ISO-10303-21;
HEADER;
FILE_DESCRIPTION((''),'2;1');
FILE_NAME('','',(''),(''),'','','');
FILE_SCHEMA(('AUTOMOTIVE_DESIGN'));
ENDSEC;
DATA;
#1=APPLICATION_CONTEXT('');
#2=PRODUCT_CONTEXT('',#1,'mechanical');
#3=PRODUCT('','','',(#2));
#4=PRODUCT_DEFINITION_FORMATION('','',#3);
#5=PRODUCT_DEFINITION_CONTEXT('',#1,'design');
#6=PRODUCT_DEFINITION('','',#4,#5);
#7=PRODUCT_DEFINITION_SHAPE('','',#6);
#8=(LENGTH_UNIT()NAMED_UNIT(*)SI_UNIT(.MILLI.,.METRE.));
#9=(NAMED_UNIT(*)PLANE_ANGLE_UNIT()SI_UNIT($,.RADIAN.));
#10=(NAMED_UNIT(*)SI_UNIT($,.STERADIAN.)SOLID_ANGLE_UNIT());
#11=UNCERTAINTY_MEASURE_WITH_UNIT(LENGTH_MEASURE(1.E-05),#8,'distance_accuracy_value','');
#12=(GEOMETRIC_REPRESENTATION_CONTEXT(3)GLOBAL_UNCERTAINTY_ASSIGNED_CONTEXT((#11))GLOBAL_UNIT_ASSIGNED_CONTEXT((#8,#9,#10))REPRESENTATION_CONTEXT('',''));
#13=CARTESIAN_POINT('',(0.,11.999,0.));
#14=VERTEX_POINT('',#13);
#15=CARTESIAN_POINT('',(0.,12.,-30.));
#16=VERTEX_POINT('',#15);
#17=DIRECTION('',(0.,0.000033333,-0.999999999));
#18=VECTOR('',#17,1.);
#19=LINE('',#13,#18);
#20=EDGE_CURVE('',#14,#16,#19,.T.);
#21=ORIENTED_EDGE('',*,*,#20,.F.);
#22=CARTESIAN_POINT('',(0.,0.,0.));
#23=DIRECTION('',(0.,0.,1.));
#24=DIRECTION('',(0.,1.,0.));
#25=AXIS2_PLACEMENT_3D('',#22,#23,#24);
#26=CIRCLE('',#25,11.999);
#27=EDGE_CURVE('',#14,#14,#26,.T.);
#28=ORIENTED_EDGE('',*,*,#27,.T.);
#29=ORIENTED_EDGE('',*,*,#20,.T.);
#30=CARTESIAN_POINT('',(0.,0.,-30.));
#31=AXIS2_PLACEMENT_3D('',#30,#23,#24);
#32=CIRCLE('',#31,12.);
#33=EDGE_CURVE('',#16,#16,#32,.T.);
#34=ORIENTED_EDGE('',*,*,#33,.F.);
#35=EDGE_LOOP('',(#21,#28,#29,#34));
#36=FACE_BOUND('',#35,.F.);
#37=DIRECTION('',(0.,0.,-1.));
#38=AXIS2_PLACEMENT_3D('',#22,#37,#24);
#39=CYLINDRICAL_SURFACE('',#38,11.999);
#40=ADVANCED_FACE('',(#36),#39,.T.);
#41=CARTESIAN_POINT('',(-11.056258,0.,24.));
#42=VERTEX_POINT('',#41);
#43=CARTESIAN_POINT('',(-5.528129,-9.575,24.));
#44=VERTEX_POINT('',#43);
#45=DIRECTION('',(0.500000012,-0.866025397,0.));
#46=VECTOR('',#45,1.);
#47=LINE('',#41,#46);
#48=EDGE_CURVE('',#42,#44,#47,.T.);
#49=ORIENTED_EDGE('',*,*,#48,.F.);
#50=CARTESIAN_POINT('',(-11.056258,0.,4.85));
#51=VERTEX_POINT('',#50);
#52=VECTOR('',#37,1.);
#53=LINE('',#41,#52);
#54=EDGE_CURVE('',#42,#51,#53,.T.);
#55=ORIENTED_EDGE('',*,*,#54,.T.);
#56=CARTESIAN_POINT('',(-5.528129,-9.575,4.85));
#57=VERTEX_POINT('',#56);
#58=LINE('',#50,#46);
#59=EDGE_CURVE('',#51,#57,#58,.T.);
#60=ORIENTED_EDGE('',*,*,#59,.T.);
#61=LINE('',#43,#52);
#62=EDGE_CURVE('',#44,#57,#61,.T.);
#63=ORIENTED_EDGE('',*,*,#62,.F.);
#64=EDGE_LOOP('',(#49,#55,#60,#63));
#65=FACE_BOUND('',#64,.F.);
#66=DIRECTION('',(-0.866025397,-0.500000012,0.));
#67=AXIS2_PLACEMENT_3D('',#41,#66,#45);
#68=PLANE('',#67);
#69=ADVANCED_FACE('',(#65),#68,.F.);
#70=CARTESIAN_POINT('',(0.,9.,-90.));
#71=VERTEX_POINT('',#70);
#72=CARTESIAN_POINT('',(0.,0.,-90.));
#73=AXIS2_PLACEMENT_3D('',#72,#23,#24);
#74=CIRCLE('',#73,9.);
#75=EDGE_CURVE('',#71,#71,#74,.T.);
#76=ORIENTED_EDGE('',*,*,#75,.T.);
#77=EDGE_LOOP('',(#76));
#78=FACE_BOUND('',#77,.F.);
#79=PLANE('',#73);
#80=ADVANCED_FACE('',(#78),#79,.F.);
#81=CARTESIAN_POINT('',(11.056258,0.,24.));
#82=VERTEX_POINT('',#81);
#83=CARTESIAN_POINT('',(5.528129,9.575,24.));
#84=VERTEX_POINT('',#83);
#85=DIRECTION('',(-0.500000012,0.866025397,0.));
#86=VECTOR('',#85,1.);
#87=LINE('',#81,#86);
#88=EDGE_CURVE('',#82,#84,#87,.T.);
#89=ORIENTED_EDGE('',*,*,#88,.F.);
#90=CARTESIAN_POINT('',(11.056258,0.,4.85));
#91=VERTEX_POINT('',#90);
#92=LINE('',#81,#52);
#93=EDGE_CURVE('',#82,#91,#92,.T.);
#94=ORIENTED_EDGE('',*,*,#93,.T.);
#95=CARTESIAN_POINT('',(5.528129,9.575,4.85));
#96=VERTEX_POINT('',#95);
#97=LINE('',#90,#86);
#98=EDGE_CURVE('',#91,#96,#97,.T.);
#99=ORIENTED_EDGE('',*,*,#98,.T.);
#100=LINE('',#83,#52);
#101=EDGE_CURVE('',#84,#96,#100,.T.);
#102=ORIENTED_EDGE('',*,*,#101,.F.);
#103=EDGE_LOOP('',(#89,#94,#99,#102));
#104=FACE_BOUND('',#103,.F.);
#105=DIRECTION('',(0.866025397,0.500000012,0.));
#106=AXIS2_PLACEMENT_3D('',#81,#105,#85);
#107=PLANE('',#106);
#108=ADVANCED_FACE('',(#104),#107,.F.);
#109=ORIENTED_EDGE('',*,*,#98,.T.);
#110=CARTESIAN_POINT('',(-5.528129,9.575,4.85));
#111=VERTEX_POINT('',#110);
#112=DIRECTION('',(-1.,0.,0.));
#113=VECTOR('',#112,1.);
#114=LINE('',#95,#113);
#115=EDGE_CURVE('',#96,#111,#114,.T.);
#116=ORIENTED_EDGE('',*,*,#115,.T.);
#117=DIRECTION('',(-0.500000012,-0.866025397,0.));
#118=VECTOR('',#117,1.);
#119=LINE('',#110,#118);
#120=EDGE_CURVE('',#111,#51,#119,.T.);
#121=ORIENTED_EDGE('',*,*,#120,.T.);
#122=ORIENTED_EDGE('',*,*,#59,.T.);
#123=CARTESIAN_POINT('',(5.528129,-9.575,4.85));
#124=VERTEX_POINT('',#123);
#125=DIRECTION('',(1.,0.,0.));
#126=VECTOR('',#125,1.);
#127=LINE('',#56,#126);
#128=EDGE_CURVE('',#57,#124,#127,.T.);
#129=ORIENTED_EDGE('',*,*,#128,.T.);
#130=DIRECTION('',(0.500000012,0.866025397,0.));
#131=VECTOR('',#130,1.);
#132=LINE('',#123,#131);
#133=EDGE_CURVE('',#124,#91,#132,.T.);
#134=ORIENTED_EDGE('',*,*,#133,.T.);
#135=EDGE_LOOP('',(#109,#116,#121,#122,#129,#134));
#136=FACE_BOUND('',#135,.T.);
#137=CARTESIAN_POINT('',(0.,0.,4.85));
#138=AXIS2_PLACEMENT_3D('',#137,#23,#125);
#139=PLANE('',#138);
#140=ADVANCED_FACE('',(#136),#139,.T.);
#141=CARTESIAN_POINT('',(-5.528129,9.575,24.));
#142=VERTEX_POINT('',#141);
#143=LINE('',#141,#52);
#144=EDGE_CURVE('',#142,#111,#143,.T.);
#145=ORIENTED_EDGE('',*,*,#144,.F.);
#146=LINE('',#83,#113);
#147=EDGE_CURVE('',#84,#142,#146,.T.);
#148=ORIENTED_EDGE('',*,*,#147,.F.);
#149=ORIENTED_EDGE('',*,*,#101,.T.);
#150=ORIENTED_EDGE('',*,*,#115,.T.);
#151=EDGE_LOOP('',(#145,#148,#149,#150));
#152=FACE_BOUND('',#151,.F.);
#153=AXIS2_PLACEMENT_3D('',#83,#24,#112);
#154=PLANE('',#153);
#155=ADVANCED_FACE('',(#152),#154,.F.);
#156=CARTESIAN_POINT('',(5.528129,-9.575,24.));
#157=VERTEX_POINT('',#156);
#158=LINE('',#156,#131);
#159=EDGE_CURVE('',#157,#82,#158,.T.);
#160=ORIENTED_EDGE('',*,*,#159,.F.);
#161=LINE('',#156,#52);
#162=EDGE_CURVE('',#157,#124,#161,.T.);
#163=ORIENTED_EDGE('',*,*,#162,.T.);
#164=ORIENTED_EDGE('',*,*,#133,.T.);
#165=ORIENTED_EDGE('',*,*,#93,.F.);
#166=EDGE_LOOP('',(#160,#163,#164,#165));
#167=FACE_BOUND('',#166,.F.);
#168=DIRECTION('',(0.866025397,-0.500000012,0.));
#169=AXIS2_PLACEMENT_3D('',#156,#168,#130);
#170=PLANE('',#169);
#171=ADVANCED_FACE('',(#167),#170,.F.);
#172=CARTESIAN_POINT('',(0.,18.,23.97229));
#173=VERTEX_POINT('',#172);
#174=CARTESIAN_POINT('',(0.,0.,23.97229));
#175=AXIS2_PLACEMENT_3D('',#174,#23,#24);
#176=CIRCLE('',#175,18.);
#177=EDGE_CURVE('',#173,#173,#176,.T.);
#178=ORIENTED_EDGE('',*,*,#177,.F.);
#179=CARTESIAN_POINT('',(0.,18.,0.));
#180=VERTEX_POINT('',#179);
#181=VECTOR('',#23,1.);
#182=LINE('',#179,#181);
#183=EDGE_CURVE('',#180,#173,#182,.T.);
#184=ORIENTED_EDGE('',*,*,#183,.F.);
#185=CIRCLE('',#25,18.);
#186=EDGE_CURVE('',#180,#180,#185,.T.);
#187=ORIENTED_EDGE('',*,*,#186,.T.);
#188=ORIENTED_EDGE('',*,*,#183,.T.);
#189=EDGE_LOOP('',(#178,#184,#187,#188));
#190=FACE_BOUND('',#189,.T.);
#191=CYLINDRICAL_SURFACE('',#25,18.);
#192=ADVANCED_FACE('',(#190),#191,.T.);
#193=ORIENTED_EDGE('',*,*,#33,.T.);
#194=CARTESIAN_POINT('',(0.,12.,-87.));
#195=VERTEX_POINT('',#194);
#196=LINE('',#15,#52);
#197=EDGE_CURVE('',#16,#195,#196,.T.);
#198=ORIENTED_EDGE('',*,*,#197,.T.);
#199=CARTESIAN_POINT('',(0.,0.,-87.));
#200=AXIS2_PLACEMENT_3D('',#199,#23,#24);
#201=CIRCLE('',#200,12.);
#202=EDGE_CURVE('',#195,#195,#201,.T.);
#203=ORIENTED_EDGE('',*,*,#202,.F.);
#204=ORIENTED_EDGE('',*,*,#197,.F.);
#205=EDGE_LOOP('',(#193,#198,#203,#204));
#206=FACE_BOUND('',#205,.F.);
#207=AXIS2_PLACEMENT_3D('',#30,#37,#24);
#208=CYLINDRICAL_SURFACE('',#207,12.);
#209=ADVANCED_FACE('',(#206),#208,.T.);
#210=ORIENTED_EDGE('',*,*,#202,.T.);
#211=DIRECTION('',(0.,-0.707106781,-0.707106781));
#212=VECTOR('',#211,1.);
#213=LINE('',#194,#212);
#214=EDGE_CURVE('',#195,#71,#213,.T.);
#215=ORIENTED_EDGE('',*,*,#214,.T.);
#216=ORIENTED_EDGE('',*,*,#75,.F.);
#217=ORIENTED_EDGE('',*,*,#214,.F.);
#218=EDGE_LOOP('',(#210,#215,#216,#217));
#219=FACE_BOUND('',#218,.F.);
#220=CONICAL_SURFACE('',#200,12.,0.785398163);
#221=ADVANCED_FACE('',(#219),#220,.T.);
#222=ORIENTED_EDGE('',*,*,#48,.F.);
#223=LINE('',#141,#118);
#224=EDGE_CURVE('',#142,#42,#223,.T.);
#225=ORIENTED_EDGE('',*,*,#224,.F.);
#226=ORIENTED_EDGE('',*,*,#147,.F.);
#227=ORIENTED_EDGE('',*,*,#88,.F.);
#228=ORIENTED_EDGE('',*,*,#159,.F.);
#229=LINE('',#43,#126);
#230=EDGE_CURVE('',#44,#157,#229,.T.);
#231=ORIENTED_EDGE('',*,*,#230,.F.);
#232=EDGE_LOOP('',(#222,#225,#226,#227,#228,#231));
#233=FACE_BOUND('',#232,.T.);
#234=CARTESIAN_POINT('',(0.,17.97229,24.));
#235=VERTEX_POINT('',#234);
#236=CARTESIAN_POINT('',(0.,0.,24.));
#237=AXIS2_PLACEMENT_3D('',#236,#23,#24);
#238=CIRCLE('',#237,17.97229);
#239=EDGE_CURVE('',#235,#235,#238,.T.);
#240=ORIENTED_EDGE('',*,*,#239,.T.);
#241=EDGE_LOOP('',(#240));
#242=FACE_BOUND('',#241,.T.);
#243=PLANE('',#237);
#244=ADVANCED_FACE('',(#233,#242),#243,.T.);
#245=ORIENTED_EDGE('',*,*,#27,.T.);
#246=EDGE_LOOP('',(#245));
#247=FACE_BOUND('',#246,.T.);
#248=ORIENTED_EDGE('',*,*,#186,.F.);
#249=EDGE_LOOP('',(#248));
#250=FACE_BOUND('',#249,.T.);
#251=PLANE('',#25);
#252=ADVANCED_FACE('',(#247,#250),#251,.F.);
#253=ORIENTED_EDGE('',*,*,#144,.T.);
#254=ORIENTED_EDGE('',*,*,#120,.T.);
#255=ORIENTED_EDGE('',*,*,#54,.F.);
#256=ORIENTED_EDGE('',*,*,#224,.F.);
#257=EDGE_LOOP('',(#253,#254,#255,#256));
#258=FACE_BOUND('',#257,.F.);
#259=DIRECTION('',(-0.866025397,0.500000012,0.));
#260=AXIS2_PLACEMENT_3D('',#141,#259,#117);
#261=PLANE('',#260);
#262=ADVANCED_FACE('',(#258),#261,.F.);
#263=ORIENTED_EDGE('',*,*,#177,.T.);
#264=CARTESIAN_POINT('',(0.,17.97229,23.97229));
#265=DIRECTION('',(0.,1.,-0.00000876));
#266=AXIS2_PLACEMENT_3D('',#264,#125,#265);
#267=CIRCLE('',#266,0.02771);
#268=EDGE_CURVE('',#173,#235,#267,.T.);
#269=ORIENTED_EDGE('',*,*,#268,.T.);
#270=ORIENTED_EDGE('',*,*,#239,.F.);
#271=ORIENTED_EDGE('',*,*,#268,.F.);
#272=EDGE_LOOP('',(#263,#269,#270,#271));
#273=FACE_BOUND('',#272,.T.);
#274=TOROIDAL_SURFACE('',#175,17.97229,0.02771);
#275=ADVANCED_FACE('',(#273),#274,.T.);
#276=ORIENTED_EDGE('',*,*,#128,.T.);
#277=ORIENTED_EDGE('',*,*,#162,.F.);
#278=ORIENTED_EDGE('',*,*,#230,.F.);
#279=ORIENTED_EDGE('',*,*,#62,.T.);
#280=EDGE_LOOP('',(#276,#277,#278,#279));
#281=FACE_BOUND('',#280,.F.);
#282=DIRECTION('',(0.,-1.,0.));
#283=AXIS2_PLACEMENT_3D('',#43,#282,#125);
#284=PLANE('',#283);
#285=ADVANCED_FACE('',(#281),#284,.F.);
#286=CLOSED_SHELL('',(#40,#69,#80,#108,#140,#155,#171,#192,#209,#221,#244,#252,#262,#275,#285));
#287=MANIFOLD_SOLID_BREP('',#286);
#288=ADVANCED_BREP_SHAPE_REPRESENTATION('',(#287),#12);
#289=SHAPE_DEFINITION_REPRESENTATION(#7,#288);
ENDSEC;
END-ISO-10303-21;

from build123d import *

# Parameters (mm, degrees)
POCKET_DEPTH = 19.15


with BuildPart() as part:
    # Sketch → Revolve (revolve)
    with BuildSketch(Plane.YZ):
        with BuildLine():
            Line((11.999, 0), (18, 0))
            Line((18, 0), (18, 23.97229))
            ThreePointArc((18, 23.97229), (17.991884, 23.991884), (17.97229, 24))
            Line((17.97229, 24), (0, 24))
            Line((0, -90), (0, 24))
            Line((9, -90), (0, -90))
            Line((12, -87), (9, -90))
            Line((12, -30), (12, -87))
            Line((11.999, 0), (12, -30))
        make_face()
    revolve(axis=Axis((0, 0, 0), (0, 0, 1)))

    # Sketch001 → Pocket (cut)
    with BuildSketch(Plane.XY.offset(24)):
        Polygon((11.056258, 0), (5.528129, 9.575), (-5.528129, 9.575), (-11.056258, 0), (-5.528129, -9.575), (5.528129, -9.575), align=None)
    extrude(amount=-POCKET_DEPTH, mode=Mode.SUBTRACT)


solid = part.part
